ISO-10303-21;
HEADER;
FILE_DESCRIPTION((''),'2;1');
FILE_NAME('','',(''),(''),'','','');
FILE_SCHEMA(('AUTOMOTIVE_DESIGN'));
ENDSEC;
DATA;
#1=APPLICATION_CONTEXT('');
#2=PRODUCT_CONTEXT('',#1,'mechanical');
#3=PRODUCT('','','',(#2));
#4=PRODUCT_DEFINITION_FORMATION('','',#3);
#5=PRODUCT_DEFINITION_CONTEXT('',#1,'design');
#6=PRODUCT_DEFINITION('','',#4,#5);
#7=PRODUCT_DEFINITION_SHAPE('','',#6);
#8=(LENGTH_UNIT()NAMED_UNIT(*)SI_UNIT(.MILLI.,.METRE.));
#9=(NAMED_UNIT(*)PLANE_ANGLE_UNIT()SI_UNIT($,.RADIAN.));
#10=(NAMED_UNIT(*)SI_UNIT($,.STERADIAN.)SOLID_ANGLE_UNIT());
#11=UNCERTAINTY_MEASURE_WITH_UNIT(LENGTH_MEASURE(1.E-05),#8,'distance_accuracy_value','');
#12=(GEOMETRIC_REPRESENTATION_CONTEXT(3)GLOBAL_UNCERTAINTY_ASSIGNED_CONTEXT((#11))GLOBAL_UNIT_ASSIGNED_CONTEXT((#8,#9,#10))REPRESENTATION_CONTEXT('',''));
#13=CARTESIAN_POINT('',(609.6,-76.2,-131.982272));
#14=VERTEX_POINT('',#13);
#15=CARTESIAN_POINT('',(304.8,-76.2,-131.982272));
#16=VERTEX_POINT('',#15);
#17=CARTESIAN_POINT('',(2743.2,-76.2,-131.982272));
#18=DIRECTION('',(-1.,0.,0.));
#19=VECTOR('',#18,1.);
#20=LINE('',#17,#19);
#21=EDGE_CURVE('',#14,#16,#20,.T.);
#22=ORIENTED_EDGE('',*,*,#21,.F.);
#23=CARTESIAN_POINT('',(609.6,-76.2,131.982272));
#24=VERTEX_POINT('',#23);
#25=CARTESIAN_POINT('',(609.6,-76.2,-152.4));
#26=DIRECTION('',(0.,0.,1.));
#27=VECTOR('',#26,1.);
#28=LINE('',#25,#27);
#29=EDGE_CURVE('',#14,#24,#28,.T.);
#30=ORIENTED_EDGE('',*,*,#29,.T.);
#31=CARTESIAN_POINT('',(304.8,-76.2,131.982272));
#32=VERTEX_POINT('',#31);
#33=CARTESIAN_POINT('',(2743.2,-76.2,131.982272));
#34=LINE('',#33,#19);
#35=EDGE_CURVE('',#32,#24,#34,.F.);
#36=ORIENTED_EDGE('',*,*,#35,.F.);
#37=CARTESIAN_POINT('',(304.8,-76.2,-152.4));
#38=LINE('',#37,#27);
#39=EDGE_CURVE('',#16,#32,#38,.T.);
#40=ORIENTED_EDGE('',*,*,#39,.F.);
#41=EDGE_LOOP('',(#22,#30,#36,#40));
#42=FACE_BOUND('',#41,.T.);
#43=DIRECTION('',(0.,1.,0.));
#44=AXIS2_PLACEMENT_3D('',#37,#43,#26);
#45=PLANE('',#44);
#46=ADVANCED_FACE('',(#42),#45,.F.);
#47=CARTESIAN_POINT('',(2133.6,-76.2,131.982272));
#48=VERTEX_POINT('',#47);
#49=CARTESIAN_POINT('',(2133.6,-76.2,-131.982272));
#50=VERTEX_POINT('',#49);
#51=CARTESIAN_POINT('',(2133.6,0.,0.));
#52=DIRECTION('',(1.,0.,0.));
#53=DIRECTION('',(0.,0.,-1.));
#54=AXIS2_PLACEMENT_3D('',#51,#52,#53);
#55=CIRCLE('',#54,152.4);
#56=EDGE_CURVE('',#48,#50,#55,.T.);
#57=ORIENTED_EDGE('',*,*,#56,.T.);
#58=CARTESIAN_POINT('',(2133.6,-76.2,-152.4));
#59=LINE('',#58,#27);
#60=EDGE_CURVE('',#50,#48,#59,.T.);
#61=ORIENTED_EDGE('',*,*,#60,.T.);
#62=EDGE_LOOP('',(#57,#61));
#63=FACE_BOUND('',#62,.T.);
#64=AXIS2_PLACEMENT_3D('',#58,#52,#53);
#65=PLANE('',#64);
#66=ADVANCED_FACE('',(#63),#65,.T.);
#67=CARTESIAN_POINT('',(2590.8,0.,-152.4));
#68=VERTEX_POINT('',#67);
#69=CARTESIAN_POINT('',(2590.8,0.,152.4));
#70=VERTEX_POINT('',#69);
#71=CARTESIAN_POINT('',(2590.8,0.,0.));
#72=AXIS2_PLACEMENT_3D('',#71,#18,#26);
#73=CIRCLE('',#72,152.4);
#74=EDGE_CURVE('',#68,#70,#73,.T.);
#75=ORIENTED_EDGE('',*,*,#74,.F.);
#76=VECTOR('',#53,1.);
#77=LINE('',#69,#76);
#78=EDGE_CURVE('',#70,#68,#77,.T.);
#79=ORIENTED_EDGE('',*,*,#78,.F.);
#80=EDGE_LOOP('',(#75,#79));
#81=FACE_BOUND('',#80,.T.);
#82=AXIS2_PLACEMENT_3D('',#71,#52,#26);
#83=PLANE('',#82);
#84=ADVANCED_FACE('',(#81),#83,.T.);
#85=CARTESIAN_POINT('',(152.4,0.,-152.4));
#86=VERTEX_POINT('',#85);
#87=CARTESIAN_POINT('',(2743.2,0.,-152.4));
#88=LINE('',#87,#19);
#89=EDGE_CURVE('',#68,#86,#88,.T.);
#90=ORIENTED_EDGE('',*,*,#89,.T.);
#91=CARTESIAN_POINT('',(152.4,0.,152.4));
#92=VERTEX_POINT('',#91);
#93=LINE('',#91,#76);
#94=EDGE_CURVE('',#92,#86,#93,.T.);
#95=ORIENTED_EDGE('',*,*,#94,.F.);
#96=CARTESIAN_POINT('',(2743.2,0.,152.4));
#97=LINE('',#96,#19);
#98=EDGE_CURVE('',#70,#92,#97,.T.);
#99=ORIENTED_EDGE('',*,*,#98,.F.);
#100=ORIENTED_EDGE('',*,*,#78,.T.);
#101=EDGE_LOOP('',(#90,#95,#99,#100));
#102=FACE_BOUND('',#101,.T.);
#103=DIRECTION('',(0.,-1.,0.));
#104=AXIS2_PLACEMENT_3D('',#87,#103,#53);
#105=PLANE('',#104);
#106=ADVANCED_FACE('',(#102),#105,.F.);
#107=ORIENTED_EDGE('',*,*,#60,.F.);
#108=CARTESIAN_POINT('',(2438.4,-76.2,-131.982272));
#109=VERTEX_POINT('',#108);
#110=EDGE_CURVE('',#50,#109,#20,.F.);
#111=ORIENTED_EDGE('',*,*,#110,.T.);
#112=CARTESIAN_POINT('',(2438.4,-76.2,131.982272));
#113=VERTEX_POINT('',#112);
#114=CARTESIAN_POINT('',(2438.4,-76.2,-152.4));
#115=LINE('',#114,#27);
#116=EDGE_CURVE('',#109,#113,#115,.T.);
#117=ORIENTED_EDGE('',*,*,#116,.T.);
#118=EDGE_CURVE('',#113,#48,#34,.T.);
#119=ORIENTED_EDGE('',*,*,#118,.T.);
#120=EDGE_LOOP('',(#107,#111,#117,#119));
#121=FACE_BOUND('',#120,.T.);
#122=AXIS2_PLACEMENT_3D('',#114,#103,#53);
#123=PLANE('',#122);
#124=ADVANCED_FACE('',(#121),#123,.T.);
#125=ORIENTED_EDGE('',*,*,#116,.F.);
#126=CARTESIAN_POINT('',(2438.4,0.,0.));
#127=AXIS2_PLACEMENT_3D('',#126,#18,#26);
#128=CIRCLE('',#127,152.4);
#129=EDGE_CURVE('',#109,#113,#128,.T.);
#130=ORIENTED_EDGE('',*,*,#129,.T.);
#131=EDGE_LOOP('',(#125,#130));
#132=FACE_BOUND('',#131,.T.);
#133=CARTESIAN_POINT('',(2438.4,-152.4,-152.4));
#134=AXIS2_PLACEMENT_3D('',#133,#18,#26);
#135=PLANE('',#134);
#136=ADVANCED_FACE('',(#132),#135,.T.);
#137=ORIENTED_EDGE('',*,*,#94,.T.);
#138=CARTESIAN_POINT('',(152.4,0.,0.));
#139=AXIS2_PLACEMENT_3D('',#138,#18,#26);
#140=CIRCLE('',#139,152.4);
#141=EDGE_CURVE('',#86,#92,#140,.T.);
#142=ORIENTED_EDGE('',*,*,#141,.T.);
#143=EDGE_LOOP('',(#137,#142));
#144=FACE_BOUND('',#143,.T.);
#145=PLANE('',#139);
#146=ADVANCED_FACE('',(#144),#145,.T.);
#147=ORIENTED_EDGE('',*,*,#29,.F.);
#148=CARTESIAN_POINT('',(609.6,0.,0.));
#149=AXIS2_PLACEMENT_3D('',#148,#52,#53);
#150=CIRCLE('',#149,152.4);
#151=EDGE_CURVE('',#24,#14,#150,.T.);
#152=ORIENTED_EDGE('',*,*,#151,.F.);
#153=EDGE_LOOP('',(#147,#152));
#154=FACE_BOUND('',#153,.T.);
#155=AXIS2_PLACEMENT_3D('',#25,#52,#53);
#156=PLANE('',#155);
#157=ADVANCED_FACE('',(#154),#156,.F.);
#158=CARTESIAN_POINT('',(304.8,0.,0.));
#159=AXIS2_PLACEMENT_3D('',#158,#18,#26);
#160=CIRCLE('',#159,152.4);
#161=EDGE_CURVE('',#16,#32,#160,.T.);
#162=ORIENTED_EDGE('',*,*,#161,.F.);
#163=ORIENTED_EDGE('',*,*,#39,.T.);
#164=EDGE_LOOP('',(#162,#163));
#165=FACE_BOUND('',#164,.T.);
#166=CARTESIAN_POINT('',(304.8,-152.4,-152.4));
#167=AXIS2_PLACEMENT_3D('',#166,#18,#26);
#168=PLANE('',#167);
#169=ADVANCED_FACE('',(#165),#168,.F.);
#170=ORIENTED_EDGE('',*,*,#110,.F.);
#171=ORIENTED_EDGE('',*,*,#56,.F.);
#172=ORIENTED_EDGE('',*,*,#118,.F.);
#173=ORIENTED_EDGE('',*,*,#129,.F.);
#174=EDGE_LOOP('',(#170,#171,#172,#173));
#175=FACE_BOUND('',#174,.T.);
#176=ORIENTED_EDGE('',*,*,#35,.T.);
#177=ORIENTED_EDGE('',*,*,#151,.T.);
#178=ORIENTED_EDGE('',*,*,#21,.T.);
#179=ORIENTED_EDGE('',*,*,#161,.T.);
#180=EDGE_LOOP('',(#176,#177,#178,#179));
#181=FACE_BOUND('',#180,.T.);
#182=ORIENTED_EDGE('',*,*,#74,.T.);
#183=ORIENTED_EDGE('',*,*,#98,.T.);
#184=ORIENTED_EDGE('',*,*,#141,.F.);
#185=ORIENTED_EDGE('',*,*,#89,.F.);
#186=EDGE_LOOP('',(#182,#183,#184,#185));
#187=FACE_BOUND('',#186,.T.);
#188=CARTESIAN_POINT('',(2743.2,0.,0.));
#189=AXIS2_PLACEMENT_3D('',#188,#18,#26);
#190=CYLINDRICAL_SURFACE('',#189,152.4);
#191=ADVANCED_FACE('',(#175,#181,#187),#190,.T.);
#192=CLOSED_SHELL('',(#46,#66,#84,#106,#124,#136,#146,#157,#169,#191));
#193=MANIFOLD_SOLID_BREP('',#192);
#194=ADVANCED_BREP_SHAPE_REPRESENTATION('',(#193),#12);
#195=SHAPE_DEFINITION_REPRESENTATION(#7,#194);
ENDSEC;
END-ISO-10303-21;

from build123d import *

# Parameters (mm, degrees)
BASE_DEPTH      = 2743.2
SKETCH2_W       = 304.8
SKETCH2_H       = 76.2
LEFT_SLOT_DEPTH = 2752.653640995
LEFT_CUT_DEPTH  = 152.4


with BuildPart() as part:
    # Sketch1 → Base (new body)
    with BuildSketch(Plane(origin=(0, 0, 0), x_dir=(0, 0, -1), z_dir=(1, 0, 0))):
        with BuildLine():
            Line((152.4, 0), (-152.4, 0))
            ThreePointArc((-152.4, 0), (0, -152.4), (152.4, 0))
        make_face()
    extrude(amount=BASE_DEPTH)

    # Sketch2 → Left Slot (cut, symmetric)
    with BuildSketch(Plane.XY):
        with Locations((457.2, -114.3)):
            Rectangle(SKETCH2_W, SKETCH2_H)
    left_slot = extrude(amount=LEFT_SLOT_DEPTH, both=True, mode=Mode.SUBTRACT)

    # Right Slot: Left Slot across plane
    add(left_slot.mirror(Plane(origin=(1371.6, 0, 0), x_dir=(0, 0, 1), z_dir=(1, 0, 0))), mode=Mode.SUBTRACT)

    # Sketch3 → Left Cut (cut)
    with BuildSketch(Plane.ZY):
        with BuildLine():
            Line((152.4, 0), (-152.4, 0))
            ThreePointArc((-152.4, 0), (0, -152.4), (152.4, 0))
        make_face()
    left_cut = extrude(amount=-LEFT_CUT_DEPTH, mode=Mode.SUBTRACT)

    # Right Cut: Left Cut across plane
    add(left_cut.mirror(Plane(origin=(1371.6, 0, 0), x_dir=(0, 0, 1), z_dir=(1, 0, 0))), mode=Mode.SUBTRACT)


solid = part.part
